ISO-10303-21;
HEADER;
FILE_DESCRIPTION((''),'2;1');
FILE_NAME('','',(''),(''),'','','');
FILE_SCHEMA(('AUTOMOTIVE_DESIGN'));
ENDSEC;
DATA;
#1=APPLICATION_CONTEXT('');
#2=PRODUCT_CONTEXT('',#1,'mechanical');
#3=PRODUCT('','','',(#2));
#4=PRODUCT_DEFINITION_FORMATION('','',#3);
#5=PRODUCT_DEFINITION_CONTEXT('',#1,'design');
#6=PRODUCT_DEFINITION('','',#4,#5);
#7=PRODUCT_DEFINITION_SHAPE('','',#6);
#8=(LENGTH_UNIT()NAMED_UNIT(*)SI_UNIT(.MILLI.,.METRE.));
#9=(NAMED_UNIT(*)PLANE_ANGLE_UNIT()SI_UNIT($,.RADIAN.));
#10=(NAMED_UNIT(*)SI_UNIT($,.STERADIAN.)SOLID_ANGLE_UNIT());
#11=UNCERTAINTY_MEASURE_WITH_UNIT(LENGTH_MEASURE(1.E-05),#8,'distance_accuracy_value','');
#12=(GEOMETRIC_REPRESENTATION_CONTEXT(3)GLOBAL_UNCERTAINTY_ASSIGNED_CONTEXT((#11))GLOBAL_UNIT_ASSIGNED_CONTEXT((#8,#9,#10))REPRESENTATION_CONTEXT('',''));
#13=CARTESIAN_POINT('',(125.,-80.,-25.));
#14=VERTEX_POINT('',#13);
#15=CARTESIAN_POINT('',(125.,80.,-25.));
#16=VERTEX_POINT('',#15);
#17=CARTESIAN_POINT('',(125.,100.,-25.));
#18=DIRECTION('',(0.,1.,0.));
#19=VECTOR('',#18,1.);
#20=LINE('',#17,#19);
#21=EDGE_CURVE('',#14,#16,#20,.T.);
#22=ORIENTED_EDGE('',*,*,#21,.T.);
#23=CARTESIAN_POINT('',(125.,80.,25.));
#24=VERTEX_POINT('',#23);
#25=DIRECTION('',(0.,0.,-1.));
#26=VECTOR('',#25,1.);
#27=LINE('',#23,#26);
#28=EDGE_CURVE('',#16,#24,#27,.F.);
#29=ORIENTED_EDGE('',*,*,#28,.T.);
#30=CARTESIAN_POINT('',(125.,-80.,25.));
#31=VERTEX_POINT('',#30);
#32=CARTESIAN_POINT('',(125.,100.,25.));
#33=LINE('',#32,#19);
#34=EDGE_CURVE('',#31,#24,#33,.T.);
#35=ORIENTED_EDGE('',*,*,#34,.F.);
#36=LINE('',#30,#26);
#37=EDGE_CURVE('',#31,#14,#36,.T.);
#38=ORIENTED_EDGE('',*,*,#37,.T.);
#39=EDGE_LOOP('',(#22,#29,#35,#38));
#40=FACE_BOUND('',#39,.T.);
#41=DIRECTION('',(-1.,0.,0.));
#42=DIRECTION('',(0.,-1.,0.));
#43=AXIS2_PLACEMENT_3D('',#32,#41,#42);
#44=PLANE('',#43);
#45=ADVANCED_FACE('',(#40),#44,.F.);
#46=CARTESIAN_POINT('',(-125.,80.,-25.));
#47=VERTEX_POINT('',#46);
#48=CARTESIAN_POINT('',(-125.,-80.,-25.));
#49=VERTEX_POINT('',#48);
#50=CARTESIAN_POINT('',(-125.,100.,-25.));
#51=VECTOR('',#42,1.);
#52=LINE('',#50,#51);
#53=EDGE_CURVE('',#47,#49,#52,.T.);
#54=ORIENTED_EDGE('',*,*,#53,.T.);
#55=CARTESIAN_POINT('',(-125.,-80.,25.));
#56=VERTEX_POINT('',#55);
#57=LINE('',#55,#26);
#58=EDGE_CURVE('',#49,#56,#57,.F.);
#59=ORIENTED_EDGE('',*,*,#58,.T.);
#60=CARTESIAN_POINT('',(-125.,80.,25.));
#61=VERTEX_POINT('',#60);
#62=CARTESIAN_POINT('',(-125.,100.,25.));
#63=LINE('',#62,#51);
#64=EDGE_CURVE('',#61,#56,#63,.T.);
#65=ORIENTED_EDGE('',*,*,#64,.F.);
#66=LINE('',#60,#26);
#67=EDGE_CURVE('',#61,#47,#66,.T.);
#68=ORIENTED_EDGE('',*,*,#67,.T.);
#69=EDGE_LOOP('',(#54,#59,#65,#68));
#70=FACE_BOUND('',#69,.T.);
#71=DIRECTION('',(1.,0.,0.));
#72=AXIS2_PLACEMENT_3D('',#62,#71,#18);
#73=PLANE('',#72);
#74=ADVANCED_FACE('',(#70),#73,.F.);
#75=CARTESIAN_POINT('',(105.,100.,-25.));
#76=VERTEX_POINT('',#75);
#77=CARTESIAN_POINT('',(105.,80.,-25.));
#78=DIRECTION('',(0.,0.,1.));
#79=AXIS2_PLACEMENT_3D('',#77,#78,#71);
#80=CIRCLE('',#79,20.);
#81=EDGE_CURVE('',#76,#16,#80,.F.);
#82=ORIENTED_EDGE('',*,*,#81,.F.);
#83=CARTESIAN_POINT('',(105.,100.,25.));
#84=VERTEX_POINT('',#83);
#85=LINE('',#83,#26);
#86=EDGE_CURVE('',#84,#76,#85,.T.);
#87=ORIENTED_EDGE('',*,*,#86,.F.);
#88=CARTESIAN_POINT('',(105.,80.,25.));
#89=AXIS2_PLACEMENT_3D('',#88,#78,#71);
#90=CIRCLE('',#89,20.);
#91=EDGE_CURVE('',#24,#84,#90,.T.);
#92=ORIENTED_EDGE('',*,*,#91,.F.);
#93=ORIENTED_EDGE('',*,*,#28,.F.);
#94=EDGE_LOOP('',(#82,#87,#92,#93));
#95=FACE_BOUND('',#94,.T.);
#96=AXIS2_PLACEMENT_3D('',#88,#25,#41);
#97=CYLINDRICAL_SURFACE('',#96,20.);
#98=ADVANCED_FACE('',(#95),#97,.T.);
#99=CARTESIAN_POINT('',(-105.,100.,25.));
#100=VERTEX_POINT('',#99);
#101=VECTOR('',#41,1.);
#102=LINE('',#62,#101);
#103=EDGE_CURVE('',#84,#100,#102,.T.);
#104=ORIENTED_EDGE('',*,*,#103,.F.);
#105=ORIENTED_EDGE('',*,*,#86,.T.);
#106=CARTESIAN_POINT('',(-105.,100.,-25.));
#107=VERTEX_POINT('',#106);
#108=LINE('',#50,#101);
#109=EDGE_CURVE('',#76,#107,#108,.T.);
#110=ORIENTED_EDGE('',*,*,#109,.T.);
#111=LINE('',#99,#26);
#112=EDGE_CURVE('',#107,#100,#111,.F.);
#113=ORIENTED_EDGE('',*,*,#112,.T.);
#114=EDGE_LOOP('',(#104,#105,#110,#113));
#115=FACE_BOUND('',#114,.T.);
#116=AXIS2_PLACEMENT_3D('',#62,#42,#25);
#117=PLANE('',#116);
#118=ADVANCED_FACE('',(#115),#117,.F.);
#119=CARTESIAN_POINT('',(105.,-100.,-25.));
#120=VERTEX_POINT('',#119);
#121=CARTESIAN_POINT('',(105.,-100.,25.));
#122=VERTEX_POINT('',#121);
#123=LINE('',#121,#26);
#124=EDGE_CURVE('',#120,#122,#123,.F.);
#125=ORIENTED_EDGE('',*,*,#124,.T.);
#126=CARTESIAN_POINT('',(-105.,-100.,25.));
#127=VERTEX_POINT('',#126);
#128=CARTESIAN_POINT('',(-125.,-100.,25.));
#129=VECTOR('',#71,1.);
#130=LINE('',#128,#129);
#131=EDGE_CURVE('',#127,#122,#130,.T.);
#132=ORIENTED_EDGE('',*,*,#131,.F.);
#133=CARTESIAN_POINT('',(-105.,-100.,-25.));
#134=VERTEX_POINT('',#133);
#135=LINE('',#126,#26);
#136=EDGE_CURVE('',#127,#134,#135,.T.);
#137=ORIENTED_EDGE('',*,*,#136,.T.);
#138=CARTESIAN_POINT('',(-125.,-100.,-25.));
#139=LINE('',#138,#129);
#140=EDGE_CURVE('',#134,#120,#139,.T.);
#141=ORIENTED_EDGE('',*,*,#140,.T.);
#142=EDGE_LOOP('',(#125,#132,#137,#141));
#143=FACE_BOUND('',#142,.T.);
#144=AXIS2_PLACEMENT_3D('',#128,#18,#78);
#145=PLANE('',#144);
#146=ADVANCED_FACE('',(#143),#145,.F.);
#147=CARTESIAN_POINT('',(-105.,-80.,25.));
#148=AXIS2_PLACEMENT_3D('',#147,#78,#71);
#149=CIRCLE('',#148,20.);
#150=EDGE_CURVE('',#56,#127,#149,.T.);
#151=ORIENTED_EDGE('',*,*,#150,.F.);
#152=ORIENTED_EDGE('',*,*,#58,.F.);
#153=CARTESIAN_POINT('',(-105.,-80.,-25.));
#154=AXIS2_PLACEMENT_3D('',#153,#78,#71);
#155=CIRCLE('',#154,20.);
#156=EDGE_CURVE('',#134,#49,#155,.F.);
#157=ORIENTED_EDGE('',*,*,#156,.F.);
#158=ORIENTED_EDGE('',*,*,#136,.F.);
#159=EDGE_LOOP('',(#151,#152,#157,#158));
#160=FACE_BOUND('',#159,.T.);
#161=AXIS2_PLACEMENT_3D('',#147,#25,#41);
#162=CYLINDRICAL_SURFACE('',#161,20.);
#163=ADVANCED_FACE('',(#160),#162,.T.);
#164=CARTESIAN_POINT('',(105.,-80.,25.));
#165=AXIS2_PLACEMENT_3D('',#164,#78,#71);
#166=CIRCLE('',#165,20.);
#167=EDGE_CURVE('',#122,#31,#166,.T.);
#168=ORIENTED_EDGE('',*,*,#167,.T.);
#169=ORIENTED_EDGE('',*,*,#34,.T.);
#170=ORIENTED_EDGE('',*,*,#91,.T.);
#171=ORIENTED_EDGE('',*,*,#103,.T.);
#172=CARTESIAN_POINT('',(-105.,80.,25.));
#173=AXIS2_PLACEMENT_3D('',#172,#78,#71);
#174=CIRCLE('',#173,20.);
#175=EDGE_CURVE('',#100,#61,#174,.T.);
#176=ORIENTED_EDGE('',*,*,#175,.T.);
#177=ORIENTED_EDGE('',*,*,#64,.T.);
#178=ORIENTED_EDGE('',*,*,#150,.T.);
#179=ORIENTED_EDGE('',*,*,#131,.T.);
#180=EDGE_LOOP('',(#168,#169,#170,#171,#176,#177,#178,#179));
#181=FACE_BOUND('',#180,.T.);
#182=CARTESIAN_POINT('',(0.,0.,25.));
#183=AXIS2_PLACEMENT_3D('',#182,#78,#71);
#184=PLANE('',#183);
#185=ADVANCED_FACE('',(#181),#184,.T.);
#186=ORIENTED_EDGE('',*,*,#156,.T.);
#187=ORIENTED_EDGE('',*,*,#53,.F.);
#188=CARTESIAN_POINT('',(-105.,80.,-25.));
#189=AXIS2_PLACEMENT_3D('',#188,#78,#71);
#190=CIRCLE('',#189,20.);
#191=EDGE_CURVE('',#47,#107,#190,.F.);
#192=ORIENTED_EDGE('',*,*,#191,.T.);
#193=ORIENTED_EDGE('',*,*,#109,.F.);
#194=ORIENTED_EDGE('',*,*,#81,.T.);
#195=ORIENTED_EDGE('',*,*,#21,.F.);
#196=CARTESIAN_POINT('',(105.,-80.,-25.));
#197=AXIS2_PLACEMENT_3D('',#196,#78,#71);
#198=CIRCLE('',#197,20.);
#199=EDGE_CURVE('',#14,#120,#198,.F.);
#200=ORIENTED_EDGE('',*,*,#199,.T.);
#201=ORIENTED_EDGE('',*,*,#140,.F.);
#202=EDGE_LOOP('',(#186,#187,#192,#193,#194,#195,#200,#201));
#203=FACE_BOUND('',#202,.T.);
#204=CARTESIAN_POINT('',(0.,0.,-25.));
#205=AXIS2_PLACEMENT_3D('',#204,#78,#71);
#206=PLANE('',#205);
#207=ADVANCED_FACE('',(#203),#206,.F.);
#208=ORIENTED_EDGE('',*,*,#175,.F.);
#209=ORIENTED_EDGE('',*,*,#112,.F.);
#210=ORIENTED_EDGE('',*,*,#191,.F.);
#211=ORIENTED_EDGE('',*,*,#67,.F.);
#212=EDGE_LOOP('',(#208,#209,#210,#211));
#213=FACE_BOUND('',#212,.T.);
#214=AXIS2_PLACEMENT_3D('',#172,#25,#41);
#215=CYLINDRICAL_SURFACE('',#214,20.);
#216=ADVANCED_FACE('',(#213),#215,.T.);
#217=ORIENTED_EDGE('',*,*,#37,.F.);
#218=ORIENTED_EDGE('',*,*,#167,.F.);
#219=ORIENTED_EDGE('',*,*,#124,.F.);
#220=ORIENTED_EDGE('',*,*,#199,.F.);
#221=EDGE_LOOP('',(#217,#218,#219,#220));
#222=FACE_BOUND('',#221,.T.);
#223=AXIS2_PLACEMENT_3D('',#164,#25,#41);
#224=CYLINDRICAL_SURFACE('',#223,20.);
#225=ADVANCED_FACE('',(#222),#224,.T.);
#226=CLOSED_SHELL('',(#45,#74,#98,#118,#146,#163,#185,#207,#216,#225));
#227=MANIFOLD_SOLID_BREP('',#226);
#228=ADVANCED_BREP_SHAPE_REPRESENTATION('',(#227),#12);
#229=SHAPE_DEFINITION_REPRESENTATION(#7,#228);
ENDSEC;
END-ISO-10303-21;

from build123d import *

# Parameters (mm, degrees)
SKETCH1_W           = 250
SKETCH1_H           = 200
BOSS_EXTRUDE1_DEPTH = 25
FILLET1_R           = 20


with BuildPart() as part:
    # Sketch1 → Boss-Extrude1 (new body, symmetric)
    with BuildSketch(Plane.XY):
        Rectangle(SKETCH1_W, SKETCH1_H)
    extrude(amount=BOSS_EXTRUDE1_DEPTH, both=True)

    # Fillet1
    fillet1_edges = [part.edges().sort_by_distance(p)[0] for p in [
        (125, -100, 0),
        (-125, -100, 0),
        (-125, 100, 0),
        (125, 100, 0),
    ]]
    fillet(fillet1_edges, radius=FILLET1_R)


solid = part.part
